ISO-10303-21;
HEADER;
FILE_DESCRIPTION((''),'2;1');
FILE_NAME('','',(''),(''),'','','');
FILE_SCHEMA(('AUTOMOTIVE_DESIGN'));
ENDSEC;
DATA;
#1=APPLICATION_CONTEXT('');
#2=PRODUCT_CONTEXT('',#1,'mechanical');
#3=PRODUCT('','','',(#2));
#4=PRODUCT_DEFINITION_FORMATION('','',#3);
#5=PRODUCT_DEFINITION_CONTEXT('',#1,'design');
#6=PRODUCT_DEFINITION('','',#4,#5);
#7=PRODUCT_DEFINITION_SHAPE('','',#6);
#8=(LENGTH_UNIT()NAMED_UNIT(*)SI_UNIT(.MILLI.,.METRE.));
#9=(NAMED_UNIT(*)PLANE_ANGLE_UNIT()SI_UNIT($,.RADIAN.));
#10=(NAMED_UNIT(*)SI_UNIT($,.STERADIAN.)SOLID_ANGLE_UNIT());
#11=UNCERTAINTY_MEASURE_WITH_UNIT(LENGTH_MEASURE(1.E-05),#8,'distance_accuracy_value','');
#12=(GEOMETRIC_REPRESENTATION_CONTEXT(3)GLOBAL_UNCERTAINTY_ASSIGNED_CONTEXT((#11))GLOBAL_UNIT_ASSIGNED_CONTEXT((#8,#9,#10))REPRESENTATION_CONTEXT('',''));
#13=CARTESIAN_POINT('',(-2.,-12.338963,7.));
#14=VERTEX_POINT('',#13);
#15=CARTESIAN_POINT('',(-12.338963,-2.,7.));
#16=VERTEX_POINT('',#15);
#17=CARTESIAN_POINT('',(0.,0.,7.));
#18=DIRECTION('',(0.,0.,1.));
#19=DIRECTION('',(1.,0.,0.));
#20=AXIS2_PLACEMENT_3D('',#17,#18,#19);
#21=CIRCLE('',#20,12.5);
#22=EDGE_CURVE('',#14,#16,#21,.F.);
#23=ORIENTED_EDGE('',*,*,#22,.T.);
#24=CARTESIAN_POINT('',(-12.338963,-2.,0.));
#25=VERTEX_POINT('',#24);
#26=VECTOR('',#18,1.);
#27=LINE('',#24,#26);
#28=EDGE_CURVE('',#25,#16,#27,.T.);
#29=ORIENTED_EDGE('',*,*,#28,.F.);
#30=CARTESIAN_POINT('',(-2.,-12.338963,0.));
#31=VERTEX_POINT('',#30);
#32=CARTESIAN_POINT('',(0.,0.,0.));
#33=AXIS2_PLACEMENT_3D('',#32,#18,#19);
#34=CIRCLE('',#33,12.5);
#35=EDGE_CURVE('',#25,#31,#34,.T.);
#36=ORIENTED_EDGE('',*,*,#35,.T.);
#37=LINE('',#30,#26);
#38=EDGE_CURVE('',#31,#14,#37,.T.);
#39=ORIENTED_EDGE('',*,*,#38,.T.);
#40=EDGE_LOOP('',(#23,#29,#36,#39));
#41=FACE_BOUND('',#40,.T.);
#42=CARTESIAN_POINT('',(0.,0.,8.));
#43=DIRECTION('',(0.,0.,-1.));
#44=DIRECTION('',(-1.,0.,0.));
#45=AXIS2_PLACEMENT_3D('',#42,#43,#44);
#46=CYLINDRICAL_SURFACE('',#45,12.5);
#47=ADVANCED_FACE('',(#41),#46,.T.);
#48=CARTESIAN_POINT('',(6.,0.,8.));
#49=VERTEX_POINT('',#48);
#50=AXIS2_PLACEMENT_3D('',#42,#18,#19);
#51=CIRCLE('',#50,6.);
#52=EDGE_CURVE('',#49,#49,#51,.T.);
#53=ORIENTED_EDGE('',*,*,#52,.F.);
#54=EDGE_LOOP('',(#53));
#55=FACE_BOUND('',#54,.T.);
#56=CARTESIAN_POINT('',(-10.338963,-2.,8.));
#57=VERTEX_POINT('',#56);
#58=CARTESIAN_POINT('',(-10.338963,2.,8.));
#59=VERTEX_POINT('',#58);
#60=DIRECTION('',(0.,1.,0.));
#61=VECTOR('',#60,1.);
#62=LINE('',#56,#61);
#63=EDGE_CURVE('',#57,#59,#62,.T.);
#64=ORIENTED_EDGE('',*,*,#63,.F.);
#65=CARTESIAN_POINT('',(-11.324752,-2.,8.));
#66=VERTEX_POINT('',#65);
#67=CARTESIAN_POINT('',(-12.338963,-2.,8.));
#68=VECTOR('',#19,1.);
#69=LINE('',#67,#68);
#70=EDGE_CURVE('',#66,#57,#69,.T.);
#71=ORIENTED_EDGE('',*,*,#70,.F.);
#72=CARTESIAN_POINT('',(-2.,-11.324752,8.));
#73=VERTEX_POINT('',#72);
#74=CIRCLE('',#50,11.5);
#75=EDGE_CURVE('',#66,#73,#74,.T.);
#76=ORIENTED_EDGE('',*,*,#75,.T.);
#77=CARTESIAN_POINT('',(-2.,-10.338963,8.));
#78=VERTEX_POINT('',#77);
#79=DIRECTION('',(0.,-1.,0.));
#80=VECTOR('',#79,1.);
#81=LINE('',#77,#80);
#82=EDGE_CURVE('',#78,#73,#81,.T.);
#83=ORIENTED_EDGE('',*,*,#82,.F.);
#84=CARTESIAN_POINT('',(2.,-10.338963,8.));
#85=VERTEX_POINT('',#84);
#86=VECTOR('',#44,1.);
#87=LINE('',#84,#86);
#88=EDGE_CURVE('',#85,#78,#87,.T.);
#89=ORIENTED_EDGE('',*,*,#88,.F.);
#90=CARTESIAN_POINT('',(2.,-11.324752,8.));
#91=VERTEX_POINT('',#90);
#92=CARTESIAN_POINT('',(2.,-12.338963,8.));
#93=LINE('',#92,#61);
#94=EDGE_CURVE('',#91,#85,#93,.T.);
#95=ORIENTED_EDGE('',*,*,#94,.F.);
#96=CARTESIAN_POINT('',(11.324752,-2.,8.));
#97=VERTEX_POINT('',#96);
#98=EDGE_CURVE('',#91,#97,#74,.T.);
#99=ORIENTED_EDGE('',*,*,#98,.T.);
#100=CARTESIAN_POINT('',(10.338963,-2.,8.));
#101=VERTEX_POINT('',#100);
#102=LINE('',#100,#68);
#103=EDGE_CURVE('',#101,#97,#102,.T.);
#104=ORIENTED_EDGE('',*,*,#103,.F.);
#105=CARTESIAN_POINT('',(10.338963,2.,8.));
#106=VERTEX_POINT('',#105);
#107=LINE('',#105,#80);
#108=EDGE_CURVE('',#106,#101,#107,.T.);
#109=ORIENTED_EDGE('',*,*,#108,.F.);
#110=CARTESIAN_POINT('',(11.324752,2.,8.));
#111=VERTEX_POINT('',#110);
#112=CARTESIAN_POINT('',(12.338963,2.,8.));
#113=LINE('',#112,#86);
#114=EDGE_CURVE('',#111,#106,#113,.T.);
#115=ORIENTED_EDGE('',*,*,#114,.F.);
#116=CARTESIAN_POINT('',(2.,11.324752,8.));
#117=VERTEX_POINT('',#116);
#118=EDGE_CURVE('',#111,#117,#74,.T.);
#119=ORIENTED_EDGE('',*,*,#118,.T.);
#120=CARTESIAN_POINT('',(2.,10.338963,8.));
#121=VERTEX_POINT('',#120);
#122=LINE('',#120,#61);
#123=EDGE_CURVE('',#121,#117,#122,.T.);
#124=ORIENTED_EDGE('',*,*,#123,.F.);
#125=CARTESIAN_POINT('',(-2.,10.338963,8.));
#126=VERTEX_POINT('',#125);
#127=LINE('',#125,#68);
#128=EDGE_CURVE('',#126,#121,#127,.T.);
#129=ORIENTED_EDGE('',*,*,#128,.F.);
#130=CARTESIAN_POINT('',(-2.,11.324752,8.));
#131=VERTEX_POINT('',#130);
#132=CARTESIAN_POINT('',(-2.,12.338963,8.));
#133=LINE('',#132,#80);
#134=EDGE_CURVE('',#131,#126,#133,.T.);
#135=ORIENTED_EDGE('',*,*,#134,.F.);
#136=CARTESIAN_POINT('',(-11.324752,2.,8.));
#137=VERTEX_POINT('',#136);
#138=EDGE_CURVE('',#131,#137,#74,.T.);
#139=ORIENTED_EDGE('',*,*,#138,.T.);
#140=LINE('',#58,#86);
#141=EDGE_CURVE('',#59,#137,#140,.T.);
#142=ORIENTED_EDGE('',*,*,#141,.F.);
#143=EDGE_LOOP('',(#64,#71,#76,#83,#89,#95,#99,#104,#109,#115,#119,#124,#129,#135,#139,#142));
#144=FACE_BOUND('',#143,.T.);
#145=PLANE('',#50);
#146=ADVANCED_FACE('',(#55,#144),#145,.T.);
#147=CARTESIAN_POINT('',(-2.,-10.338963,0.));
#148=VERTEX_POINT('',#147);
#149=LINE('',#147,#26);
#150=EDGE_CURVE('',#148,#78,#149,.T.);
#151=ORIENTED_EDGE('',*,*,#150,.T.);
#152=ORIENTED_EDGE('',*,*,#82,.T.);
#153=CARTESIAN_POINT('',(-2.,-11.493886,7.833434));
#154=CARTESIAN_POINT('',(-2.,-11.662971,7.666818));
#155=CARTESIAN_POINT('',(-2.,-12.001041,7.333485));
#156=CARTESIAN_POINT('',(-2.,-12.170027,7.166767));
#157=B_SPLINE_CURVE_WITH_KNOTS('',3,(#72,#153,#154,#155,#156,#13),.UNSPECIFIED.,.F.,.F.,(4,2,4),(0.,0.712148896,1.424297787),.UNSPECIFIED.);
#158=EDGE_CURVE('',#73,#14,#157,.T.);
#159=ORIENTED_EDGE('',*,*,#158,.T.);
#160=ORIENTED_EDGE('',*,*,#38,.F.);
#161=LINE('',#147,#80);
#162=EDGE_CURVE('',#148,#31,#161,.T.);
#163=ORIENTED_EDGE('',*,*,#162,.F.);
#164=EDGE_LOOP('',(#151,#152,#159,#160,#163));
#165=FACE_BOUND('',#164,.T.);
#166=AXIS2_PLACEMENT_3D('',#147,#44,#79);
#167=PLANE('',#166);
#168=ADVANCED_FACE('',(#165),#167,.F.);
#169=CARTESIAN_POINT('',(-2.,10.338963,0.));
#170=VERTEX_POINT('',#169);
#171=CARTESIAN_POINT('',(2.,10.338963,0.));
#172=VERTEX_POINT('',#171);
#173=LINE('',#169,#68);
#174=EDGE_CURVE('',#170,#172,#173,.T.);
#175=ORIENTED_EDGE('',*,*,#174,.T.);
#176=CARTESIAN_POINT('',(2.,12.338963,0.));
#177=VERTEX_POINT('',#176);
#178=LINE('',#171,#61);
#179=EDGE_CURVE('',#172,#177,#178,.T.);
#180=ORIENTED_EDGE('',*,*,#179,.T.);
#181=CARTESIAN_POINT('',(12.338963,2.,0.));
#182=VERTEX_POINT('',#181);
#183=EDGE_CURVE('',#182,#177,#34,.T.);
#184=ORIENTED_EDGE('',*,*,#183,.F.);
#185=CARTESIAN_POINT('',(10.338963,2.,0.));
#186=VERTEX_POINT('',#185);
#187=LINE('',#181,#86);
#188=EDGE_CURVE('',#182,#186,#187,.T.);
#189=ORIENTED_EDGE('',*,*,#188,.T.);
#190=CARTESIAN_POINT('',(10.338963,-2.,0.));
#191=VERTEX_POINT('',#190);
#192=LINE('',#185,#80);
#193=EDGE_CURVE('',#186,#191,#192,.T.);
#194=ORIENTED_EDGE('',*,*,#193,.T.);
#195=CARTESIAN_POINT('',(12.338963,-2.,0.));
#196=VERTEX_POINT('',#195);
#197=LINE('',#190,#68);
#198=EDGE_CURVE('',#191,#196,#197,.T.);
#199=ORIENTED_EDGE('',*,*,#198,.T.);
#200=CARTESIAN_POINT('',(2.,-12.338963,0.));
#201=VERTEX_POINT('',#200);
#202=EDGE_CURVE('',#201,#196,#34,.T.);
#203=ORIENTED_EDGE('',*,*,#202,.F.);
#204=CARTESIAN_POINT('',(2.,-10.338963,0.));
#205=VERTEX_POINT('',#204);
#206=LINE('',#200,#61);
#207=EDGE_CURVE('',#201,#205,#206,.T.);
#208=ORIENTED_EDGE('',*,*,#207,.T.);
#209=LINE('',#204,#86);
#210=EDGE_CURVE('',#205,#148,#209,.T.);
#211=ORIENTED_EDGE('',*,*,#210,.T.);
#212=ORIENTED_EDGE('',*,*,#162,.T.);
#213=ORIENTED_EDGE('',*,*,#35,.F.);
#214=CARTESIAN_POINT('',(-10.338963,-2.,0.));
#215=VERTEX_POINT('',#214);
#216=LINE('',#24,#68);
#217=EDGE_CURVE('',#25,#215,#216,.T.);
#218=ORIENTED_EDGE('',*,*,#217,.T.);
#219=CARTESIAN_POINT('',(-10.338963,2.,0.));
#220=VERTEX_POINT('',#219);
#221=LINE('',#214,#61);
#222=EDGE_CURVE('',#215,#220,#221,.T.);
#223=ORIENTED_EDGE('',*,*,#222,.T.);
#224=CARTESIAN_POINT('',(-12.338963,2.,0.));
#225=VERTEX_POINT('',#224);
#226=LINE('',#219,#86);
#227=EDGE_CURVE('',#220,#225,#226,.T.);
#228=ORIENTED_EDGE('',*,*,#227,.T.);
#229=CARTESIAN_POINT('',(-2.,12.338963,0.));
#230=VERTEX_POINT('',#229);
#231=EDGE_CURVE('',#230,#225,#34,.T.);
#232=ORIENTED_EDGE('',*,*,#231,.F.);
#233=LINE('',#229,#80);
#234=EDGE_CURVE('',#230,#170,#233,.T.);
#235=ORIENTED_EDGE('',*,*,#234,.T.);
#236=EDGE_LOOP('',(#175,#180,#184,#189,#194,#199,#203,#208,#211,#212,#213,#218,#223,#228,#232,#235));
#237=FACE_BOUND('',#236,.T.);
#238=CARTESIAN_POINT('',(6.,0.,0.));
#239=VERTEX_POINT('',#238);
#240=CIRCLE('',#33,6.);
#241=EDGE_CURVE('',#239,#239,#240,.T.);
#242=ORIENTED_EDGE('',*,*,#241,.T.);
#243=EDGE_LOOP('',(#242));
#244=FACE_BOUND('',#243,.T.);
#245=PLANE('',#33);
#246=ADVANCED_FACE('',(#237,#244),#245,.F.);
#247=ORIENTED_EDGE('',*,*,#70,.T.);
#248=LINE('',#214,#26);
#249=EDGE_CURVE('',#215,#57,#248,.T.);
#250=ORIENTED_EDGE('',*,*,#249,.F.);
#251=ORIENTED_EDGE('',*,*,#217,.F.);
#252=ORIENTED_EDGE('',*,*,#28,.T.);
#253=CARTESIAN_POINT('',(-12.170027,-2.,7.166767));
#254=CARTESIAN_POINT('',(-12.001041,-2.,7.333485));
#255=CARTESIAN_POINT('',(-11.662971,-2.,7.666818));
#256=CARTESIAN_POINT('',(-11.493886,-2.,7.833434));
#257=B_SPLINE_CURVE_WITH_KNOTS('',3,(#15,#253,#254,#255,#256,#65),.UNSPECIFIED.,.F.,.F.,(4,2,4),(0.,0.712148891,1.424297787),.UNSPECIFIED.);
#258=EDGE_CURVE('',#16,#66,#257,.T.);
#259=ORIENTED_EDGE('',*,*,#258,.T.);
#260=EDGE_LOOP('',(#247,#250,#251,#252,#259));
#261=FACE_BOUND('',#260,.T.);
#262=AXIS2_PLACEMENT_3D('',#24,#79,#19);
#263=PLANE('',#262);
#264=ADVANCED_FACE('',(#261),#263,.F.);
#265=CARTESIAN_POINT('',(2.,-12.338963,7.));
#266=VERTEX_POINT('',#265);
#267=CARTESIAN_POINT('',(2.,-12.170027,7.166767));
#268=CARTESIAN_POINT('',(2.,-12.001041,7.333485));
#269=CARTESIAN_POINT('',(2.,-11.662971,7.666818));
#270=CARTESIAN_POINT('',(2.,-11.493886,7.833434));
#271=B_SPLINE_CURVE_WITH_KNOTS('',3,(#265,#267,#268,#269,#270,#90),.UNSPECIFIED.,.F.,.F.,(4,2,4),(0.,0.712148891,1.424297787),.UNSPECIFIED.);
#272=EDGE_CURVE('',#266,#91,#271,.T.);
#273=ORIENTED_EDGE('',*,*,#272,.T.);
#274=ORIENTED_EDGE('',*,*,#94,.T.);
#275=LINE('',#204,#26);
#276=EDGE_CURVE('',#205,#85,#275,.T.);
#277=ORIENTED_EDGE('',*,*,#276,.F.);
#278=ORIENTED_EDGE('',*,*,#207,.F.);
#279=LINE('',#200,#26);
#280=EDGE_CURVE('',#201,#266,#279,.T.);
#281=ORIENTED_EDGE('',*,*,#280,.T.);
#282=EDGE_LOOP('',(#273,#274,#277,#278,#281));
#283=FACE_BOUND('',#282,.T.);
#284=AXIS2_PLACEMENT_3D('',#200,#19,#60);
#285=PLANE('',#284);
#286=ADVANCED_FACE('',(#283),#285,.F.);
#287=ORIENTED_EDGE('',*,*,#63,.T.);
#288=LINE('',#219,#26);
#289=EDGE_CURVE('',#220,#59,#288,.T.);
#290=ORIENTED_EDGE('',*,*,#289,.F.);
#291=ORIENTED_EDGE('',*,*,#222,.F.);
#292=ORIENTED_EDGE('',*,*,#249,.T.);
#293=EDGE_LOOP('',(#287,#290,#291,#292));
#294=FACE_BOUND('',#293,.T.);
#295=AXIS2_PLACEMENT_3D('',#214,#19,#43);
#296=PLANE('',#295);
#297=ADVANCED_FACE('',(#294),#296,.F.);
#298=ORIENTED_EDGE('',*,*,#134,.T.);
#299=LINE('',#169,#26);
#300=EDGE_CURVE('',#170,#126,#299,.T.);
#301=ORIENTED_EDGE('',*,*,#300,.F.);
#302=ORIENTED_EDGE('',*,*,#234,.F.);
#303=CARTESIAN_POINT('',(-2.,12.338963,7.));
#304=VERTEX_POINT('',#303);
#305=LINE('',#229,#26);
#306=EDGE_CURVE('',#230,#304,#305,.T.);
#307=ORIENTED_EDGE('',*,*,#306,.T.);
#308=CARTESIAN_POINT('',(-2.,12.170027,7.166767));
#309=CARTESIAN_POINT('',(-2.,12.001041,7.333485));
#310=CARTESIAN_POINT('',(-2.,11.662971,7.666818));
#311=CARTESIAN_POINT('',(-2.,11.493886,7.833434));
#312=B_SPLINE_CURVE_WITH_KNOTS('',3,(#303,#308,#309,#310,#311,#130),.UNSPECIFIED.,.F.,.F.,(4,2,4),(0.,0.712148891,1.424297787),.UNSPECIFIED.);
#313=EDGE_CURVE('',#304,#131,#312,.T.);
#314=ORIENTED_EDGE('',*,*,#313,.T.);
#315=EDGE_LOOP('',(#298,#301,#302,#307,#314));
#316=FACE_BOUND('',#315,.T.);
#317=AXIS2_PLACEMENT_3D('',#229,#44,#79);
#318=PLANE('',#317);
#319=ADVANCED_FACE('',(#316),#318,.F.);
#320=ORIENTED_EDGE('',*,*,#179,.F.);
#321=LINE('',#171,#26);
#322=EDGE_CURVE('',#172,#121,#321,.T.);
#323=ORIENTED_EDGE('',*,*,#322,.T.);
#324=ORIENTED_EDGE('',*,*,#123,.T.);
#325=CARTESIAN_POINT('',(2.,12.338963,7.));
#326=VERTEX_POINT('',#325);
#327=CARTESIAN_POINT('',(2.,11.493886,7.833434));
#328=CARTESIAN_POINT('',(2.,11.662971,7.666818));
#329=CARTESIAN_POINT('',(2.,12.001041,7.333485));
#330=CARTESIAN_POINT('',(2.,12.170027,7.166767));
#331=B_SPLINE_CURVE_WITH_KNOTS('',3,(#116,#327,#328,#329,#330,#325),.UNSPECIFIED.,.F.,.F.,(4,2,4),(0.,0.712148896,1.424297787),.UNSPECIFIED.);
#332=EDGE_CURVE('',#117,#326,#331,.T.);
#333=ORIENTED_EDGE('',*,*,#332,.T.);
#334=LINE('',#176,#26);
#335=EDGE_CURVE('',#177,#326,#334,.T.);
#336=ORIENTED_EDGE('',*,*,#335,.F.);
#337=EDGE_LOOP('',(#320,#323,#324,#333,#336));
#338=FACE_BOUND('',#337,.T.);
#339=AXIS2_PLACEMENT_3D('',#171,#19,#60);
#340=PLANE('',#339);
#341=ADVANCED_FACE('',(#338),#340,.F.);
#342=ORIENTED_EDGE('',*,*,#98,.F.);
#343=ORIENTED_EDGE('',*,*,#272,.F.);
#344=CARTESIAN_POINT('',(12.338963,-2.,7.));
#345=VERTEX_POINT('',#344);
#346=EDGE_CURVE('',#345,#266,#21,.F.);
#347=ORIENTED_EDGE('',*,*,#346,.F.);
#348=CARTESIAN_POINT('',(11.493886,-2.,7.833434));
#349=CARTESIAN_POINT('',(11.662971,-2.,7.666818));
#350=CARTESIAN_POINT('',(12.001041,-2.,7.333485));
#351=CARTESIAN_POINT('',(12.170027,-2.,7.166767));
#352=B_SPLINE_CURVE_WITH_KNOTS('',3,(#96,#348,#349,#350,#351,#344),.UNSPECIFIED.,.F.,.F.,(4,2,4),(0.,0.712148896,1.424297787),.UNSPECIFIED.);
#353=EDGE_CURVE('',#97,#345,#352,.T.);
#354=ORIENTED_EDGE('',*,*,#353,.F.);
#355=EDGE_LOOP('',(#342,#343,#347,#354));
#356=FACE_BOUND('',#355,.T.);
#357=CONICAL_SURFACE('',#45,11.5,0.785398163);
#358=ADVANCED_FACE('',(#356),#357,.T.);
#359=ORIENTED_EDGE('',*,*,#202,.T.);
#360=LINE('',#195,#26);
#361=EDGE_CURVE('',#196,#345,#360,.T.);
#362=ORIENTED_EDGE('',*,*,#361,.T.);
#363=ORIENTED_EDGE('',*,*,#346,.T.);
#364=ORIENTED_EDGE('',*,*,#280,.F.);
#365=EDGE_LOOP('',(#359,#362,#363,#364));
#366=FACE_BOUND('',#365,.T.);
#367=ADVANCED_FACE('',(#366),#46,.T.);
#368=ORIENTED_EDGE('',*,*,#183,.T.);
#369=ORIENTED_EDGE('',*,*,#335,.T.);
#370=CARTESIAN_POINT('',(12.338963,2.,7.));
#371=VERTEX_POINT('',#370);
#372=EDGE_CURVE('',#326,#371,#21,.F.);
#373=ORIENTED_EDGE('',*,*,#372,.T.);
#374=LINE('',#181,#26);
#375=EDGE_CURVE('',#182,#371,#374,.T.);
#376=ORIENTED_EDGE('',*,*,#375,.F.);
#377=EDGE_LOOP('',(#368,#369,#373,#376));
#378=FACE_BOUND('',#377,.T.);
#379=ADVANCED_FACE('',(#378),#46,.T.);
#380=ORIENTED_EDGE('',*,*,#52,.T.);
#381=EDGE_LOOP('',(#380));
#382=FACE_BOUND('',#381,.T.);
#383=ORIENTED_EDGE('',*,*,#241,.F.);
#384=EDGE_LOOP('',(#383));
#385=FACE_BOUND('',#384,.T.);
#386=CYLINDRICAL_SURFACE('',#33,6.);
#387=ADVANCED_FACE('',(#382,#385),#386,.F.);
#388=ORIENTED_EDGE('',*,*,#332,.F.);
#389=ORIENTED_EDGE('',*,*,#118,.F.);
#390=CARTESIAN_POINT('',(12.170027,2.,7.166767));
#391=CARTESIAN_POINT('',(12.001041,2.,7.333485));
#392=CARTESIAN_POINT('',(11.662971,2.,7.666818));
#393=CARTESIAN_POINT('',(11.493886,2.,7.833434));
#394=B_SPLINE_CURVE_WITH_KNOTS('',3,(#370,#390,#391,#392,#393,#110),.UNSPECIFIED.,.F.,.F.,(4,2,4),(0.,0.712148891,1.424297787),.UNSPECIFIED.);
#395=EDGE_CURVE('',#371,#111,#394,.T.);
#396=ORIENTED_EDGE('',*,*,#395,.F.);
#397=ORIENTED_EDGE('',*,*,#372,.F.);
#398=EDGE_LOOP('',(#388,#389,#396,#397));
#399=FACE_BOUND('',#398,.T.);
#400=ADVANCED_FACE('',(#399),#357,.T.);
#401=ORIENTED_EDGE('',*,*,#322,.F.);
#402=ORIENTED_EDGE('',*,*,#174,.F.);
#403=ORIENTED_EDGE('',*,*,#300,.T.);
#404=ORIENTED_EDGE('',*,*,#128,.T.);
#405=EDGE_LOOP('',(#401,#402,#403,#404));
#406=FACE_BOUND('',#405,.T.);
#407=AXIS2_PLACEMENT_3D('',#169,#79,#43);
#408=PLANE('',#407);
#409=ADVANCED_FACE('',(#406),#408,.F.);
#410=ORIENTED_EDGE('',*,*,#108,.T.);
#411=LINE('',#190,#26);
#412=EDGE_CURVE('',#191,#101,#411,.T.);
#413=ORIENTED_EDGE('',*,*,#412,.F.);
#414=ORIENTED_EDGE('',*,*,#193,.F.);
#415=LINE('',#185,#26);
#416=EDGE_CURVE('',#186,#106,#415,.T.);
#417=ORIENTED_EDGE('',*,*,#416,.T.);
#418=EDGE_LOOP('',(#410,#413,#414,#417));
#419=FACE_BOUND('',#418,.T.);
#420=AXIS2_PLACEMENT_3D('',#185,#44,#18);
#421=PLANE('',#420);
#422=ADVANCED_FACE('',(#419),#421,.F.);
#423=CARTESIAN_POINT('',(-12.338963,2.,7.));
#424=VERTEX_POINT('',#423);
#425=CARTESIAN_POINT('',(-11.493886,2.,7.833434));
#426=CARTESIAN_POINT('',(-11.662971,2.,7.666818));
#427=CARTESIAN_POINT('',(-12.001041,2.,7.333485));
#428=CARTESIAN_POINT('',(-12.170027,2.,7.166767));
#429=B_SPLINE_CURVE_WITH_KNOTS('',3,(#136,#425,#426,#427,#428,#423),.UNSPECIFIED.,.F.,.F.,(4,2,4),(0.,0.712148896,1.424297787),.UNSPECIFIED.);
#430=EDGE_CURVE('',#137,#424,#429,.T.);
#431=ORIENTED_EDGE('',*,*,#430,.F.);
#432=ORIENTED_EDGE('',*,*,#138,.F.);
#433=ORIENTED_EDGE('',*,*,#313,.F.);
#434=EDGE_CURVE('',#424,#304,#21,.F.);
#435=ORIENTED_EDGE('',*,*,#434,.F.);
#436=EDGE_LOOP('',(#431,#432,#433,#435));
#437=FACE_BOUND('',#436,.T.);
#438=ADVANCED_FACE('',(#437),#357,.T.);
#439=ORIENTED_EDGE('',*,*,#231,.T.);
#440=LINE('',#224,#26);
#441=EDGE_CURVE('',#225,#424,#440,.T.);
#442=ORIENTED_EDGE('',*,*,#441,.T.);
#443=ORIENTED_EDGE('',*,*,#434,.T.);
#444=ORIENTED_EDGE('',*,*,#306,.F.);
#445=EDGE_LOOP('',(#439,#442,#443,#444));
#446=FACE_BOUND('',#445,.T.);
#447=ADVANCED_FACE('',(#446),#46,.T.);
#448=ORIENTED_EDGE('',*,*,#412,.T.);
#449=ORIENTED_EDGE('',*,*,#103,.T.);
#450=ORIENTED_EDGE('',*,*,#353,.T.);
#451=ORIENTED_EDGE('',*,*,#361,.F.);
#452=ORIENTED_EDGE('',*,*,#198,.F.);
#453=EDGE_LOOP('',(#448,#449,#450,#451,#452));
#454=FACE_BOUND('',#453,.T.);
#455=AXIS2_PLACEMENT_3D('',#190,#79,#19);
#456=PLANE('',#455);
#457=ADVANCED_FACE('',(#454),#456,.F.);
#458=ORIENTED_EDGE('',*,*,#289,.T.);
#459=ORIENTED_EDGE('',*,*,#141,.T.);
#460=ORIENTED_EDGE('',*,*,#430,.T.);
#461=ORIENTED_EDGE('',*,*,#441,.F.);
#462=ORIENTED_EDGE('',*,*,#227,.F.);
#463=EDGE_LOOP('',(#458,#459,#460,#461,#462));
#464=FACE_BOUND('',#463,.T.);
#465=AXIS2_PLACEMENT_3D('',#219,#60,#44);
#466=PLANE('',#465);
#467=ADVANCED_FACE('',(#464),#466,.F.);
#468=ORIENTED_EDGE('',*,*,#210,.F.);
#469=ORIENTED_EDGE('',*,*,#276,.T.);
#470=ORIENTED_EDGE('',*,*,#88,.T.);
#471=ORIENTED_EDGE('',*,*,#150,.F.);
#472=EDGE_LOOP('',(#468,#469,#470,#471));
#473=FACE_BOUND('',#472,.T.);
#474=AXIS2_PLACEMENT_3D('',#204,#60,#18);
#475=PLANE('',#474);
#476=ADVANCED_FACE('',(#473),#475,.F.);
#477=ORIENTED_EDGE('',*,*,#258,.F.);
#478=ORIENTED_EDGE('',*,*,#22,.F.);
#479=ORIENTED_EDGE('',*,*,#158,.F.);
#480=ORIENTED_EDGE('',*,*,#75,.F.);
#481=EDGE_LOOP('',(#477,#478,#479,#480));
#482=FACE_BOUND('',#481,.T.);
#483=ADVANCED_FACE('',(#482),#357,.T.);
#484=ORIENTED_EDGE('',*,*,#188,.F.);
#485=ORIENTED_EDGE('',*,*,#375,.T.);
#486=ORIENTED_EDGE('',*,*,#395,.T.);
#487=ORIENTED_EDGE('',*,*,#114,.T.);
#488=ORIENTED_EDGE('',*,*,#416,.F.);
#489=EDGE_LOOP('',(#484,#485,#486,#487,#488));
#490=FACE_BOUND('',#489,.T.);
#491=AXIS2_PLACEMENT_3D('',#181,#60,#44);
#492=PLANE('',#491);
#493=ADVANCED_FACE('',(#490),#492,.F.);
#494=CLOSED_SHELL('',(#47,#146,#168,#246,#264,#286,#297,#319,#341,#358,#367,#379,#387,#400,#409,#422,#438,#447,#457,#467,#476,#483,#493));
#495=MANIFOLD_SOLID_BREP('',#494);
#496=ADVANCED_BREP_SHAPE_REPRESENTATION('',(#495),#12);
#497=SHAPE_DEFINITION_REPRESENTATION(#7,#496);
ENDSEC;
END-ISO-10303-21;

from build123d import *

# Parameters (mm, degrees)
SKETCH1_R           = 12.5
BOSS_EXTRUDE1_DEPTH = 8
CUT_EXTRUDE1_DEPTH  = 20.403607912
SKETCH3_R           = 6
CUT_EXTRUDE2_DEPTH  = 20.19635382
CHAMFER1_SIZE       = 1


with BuildPart() as part:
    # Sketch1 → Boss-Extrude1 (new body)
    with BuildSketch(Plane.XY):
        Circle(SKETCH1_R)
    extrude(amount=BOSS_EXTRUDE1_DEPTH)

    # Sketch2 → Cut-Extrude1 (cut, through all)
    with BuildSketch(Plane.XY.offset(8)):
        with BuildLine():
            Line((-2, 12.338962679), (-2, 10.338962679))
            Line((-2, 10.338962679), (2, 10.338962679))
            Line((2, 10.338962679), (2, 12.338962679))
            ThreePointArc((2, 12.338962679), (0, 12.5), (-2, 12.338962679))
        make_face()
        with BuildLine():
            Line((12.338962679, 2), (10.338962679, 2))
            Line((10.338962679, 2), (10.338962679, -2))
            Line((10.338962679, -2), (12.338962679, -2))
            ThreePointArc((12.338962679, -2), (12.5, 0), (12.338962679, 2))
        make_face()
        with BuildLine():
            Line((2, -12.338962679), (2, -10.338962679))
            Line((2, -10.338962679), (-2, -10.338962679))
            Line((-2, -10.338962679), (-2, -12.338962679))
            ThreePointArc((-2, -12.338962679), (0, -12.5), (2, -12.338962679))
        make_face()
        with BuildLine():
            Line((-12.338962679, -2), (-10.338962679, -2))
            Line((-10.338962679, -2), (-10.338962679, 2))
            Line((-10.338962679, 2), (-12.338962679, 2))
            ThreePointArc((-12.338962679, 2), (-12.5, 0), (-12.338962679, -2))
        make_face()
    extrude(amount=-CUT_EXTRUDE1_DEPTH, mode=Mode.SUBTRACT)

    # Sketch3 → Cut-Extrude2 (cut, through all)
    with BuildSketch(Plane.XY.offset(8)):
        Circle(SKETCH3_R)
    extrude(amount=-CUT_EXTRUDE2_DEPTH, mode=Mode.SUBTRACT)

    # Chamfer1
    chamfer1_edges = [part.edges().sort_by_distance(p)[0] for p in [
        (-8.838834765, 8.838834765, 8),
        (-8.838834765, -8.838834765, 8),
        (8.838834765, -8.838834765, 8),
        (8.838834765, 8.838834765, 8),
    ]]
    chamfer(chamfer1_edges, length=CHAMFER1_SIZE)


solid = part.part
